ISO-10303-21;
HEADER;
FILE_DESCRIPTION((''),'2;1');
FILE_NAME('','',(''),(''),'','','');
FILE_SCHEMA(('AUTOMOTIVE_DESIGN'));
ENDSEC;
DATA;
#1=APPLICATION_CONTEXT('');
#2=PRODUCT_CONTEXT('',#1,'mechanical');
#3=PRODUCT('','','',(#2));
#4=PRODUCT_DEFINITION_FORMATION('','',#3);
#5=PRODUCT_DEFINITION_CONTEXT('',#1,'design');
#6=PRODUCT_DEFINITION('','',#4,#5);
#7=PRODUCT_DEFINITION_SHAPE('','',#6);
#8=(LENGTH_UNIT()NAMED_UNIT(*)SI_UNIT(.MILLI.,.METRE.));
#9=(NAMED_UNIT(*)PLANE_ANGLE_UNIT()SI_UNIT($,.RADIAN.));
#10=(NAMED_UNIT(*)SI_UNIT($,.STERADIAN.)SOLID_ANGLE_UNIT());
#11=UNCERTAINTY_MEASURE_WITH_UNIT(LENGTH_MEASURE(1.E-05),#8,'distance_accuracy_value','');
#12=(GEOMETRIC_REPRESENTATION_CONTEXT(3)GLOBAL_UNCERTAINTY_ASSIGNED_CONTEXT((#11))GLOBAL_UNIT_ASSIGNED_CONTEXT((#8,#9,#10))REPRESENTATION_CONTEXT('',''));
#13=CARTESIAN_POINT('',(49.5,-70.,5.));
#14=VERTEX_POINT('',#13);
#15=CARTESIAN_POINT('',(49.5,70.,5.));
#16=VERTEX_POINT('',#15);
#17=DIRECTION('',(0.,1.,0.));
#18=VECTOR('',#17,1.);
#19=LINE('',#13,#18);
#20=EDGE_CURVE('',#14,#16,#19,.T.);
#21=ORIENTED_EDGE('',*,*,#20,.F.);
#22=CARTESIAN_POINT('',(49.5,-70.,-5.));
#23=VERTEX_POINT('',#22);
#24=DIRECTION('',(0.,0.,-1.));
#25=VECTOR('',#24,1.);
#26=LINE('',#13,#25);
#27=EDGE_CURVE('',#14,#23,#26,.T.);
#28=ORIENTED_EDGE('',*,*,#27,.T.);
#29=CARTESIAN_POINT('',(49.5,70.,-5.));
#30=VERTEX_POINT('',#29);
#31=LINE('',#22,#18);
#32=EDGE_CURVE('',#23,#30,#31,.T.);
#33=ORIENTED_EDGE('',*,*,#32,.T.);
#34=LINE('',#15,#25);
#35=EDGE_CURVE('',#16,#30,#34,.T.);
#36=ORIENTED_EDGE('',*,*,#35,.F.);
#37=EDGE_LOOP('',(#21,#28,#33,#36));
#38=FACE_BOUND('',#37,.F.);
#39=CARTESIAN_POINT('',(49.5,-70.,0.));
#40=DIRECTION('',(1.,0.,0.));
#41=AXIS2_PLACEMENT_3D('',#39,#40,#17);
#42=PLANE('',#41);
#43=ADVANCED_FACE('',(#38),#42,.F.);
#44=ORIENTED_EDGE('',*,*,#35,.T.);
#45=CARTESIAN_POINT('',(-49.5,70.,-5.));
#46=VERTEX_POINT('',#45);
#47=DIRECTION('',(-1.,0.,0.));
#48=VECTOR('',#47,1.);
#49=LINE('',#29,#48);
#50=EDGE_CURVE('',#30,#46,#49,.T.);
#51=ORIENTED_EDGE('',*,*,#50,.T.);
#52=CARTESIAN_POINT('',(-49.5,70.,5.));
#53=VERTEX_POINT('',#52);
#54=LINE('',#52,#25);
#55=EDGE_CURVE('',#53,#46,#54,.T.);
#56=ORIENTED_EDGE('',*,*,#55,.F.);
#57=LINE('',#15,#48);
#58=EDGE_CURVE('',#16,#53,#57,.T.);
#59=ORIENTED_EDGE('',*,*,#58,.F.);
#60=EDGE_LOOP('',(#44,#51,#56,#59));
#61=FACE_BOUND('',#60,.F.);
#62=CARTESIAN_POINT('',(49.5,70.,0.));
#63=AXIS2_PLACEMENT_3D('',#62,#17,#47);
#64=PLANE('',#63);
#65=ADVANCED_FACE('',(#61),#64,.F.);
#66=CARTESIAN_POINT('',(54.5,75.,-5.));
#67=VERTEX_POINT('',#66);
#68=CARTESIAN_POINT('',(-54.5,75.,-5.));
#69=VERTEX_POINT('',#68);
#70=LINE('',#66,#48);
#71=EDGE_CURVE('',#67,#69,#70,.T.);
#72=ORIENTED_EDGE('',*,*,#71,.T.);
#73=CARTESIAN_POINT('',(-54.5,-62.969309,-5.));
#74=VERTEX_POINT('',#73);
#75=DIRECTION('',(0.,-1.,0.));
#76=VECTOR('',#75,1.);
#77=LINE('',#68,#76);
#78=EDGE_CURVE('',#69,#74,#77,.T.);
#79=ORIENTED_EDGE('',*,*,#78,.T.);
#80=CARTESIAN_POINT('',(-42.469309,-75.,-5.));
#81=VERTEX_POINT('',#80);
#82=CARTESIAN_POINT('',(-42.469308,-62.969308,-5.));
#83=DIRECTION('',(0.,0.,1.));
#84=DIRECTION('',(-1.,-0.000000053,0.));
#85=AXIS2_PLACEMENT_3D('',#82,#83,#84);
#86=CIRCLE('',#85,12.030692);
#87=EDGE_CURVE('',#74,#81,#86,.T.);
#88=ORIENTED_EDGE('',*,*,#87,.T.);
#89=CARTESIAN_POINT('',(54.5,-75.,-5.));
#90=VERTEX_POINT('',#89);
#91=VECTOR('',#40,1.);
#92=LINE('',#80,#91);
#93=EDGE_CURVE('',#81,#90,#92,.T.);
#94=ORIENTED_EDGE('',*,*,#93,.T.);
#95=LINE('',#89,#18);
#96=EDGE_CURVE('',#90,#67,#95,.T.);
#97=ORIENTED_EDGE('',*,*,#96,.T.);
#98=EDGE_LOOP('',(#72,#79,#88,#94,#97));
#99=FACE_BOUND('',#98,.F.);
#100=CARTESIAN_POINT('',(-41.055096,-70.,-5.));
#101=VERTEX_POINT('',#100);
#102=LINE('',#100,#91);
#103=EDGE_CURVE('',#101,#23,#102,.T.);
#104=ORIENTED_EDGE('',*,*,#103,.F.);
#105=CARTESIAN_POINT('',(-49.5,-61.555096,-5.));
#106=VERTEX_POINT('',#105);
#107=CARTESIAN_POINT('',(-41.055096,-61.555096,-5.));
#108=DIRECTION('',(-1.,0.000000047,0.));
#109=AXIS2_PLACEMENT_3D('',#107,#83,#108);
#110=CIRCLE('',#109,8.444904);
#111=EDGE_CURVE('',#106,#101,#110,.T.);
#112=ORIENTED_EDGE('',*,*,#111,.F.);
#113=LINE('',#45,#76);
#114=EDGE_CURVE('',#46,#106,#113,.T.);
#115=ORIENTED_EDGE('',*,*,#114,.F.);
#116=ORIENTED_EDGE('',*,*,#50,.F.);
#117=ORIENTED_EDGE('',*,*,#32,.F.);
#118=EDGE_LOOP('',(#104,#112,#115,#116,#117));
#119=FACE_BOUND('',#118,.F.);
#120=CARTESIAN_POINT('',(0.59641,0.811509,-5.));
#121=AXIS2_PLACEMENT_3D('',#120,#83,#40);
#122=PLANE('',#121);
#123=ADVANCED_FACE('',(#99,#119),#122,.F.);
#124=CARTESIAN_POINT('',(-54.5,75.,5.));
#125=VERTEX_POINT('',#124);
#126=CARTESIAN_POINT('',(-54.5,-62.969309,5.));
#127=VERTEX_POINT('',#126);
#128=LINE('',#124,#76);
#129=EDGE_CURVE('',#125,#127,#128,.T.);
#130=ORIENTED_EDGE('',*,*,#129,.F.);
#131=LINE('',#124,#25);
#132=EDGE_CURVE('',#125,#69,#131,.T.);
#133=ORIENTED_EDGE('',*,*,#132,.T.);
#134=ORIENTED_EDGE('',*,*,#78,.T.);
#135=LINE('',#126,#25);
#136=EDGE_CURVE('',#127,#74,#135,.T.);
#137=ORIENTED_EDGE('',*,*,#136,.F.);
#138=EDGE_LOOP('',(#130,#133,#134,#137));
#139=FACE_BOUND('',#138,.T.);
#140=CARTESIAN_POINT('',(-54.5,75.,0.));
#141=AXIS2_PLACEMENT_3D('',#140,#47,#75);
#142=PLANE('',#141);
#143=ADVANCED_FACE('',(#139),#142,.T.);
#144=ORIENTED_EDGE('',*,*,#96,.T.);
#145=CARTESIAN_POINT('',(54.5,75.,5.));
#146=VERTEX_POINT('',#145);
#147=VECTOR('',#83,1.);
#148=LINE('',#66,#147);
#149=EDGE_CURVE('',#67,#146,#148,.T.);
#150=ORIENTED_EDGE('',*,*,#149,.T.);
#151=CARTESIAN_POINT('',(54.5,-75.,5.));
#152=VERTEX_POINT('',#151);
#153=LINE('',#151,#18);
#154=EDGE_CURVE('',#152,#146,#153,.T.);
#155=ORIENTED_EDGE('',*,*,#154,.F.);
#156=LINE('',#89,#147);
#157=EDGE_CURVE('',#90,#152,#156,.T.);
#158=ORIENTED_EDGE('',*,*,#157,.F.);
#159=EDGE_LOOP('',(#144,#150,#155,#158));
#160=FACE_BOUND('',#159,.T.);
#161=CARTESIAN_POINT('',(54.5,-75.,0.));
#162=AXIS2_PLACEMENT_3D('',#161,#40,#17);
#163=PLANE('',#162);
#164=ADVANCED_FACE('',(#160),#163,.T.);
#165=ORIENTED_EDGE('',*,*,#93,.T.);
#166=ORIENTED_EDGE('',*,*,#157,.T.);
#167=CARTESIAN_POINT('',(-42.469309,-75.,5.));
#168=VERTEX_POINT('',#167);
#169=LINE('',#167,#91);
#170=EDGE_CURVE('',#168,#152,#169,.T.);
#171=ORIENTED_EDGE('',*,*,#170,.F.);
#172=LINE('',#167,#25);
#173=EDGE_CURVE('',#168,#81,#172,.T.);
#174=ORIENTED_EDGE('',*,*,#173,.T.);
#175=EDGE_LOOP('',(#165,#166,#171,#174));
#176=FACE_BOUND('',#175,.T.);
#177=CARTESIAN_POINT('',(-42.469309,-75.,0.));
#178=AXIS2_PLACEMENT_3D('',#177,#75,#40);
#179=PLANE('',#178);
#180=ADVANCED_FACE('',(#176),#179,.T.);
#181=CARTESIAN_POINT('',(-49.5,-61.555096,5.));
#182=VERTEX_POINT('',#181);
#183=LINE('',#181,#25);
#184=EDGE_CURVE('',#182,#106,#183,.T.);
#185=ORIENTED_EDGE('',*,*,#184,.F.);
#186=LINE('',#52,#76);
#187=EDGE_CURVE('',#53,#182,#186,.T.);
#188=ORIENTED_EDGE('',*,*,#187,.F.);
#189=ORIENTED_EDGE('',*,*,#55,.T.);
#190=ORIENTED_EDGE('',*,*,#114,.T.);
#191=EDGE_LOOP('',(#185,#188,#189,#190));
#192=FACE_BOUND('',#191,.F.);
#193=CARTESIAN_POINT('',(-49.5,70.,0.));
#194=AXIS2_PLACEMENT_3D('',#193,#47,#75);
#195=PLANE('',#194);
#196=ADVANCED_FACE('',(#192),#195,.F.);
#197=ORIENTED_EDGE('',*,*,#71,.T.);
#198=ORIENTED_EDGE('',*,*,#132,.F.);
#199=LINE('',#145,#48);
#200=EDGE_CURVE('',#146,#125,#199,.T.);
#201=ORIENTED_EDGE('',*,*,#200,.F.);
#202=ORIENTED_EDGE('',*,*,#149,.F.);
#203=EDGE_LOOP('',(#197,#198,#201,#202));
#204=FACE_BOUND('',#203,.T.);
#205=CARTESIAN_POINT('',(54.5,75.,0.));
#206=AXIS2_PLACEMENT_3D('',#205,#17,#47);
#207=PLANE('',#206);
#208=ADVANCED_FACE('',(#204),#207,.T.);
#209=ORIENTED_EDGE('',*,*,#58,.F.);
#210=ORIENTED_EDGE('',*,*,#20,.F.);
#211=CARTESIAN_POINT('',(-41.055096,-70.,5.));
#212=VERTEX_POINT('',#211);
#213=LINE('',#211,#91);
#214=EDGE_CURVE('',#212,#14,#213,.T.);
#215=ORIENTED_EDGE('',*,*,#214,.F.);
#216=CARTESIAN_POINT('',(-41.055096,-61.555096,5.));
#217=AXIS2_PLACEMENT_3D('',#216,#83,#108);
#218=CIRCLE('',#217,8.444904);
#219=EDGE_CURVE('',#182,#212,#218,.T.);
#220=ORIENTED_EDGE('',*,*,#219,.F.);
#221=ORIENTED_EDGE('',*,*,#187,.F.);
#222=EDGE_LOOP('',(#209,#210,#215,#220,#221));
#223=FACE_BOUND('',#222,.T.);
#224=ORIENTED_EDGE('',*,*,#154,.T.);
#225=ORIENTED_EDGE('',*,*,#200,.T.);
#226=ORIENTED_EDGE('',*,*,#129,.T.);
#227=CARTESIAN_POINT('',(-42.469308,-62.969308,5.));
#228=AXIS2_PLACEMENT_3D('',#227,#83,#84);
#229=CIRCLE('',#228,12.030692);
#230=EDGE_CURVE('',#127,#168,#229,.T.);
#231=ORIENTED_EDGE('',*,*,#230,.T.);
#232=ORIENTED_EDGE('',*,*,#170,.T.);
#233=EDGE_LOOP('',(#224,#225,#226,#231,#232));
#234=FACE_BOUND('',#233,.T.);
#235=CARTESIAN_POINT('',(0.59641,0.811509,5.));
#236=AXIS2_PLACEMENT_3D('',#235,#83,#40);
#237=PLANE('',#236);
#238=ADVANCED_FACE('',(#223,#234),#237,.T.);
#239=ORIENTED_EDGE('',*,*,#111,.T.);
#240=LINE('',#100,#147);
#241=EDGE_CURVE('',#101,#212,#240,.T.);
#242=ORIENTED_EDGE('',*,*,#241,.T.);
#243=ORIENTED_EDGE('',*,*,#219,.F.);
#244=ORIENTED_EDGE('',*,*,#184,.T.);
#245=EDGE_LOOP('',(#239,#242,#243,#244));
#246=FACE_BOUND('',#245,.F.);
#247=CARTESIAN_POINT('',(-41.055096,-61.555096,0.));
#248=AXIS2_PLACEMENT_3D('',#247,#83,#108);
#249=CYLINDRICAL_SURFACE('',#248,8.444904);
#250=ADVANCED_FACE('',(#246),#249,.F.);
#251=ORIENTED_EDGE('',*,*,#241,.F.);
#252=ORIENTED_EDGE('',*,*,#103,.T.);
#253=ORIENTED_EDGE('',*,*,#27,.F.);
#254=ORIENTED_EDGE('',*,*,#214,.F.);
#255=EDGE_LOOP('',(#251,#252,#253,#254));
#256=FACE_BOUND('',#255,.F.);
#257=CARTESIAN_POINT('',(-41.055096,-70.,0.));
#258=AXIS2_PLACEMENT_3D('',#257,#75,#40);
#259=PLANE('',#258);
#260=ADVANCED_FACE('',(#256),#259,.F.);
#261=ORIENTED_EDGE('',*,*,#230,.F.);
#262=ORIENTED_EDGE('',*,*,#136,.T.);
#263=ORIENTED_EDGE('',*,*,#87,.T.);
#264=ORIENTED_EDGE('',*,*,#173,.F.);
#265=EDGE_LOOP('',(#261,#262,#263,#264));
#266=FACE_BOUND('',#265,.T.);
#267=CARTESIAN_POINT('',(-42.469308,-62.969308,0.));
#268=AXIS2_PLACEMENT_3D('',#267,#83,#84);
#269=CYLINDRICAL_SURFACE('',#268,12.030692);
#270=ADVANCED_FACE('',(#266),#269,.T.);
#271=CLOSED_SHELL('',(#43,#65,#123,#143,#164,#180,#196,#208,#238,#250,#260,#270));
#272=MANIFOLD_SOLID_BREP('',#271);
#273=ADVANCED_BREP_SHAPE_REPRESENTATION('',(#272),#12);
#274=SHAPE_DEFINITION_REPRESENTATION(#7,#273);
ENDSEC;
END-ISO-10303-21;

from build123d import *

# Parameters (mm, degrees)
PAD_DEPTH = 5


with BuildPart() as part:
    # Sketch → Pad (new body, symmetric)
    with BuildSketch(Plane.XY):
        with BuildLine():
            Line((-42.469309, -75), (54.5, -75))
            Line((54.5, -75), (54.5, 75))
            Line((54.5, 75), (-54.5, 75))
            Line((-54.5, 75), (-54.5, -62.969309))
            ThreePointArc((-54.5, -62.969309), (-50.976292, -71.476292), (-42.469309, -75))
        make_face()
        with BuildLine():
            Line((-41.055096, -70), (49.5, -70))
            Line((49.5, -70), (49.5, 70))
            Line((49.5, 70), (-49.5, 70))
            Line((-49.5, 70), (-49.5, -61.555096))
            ThreePointArc((-49.5, -61.555096), (-47.026545, -67.526545), (-41.055096, -70))
        make_face(mode=Mode.SUBTRACT)
    extrude(amount=PAD_DEPTH, both=True)


solid = part.part
